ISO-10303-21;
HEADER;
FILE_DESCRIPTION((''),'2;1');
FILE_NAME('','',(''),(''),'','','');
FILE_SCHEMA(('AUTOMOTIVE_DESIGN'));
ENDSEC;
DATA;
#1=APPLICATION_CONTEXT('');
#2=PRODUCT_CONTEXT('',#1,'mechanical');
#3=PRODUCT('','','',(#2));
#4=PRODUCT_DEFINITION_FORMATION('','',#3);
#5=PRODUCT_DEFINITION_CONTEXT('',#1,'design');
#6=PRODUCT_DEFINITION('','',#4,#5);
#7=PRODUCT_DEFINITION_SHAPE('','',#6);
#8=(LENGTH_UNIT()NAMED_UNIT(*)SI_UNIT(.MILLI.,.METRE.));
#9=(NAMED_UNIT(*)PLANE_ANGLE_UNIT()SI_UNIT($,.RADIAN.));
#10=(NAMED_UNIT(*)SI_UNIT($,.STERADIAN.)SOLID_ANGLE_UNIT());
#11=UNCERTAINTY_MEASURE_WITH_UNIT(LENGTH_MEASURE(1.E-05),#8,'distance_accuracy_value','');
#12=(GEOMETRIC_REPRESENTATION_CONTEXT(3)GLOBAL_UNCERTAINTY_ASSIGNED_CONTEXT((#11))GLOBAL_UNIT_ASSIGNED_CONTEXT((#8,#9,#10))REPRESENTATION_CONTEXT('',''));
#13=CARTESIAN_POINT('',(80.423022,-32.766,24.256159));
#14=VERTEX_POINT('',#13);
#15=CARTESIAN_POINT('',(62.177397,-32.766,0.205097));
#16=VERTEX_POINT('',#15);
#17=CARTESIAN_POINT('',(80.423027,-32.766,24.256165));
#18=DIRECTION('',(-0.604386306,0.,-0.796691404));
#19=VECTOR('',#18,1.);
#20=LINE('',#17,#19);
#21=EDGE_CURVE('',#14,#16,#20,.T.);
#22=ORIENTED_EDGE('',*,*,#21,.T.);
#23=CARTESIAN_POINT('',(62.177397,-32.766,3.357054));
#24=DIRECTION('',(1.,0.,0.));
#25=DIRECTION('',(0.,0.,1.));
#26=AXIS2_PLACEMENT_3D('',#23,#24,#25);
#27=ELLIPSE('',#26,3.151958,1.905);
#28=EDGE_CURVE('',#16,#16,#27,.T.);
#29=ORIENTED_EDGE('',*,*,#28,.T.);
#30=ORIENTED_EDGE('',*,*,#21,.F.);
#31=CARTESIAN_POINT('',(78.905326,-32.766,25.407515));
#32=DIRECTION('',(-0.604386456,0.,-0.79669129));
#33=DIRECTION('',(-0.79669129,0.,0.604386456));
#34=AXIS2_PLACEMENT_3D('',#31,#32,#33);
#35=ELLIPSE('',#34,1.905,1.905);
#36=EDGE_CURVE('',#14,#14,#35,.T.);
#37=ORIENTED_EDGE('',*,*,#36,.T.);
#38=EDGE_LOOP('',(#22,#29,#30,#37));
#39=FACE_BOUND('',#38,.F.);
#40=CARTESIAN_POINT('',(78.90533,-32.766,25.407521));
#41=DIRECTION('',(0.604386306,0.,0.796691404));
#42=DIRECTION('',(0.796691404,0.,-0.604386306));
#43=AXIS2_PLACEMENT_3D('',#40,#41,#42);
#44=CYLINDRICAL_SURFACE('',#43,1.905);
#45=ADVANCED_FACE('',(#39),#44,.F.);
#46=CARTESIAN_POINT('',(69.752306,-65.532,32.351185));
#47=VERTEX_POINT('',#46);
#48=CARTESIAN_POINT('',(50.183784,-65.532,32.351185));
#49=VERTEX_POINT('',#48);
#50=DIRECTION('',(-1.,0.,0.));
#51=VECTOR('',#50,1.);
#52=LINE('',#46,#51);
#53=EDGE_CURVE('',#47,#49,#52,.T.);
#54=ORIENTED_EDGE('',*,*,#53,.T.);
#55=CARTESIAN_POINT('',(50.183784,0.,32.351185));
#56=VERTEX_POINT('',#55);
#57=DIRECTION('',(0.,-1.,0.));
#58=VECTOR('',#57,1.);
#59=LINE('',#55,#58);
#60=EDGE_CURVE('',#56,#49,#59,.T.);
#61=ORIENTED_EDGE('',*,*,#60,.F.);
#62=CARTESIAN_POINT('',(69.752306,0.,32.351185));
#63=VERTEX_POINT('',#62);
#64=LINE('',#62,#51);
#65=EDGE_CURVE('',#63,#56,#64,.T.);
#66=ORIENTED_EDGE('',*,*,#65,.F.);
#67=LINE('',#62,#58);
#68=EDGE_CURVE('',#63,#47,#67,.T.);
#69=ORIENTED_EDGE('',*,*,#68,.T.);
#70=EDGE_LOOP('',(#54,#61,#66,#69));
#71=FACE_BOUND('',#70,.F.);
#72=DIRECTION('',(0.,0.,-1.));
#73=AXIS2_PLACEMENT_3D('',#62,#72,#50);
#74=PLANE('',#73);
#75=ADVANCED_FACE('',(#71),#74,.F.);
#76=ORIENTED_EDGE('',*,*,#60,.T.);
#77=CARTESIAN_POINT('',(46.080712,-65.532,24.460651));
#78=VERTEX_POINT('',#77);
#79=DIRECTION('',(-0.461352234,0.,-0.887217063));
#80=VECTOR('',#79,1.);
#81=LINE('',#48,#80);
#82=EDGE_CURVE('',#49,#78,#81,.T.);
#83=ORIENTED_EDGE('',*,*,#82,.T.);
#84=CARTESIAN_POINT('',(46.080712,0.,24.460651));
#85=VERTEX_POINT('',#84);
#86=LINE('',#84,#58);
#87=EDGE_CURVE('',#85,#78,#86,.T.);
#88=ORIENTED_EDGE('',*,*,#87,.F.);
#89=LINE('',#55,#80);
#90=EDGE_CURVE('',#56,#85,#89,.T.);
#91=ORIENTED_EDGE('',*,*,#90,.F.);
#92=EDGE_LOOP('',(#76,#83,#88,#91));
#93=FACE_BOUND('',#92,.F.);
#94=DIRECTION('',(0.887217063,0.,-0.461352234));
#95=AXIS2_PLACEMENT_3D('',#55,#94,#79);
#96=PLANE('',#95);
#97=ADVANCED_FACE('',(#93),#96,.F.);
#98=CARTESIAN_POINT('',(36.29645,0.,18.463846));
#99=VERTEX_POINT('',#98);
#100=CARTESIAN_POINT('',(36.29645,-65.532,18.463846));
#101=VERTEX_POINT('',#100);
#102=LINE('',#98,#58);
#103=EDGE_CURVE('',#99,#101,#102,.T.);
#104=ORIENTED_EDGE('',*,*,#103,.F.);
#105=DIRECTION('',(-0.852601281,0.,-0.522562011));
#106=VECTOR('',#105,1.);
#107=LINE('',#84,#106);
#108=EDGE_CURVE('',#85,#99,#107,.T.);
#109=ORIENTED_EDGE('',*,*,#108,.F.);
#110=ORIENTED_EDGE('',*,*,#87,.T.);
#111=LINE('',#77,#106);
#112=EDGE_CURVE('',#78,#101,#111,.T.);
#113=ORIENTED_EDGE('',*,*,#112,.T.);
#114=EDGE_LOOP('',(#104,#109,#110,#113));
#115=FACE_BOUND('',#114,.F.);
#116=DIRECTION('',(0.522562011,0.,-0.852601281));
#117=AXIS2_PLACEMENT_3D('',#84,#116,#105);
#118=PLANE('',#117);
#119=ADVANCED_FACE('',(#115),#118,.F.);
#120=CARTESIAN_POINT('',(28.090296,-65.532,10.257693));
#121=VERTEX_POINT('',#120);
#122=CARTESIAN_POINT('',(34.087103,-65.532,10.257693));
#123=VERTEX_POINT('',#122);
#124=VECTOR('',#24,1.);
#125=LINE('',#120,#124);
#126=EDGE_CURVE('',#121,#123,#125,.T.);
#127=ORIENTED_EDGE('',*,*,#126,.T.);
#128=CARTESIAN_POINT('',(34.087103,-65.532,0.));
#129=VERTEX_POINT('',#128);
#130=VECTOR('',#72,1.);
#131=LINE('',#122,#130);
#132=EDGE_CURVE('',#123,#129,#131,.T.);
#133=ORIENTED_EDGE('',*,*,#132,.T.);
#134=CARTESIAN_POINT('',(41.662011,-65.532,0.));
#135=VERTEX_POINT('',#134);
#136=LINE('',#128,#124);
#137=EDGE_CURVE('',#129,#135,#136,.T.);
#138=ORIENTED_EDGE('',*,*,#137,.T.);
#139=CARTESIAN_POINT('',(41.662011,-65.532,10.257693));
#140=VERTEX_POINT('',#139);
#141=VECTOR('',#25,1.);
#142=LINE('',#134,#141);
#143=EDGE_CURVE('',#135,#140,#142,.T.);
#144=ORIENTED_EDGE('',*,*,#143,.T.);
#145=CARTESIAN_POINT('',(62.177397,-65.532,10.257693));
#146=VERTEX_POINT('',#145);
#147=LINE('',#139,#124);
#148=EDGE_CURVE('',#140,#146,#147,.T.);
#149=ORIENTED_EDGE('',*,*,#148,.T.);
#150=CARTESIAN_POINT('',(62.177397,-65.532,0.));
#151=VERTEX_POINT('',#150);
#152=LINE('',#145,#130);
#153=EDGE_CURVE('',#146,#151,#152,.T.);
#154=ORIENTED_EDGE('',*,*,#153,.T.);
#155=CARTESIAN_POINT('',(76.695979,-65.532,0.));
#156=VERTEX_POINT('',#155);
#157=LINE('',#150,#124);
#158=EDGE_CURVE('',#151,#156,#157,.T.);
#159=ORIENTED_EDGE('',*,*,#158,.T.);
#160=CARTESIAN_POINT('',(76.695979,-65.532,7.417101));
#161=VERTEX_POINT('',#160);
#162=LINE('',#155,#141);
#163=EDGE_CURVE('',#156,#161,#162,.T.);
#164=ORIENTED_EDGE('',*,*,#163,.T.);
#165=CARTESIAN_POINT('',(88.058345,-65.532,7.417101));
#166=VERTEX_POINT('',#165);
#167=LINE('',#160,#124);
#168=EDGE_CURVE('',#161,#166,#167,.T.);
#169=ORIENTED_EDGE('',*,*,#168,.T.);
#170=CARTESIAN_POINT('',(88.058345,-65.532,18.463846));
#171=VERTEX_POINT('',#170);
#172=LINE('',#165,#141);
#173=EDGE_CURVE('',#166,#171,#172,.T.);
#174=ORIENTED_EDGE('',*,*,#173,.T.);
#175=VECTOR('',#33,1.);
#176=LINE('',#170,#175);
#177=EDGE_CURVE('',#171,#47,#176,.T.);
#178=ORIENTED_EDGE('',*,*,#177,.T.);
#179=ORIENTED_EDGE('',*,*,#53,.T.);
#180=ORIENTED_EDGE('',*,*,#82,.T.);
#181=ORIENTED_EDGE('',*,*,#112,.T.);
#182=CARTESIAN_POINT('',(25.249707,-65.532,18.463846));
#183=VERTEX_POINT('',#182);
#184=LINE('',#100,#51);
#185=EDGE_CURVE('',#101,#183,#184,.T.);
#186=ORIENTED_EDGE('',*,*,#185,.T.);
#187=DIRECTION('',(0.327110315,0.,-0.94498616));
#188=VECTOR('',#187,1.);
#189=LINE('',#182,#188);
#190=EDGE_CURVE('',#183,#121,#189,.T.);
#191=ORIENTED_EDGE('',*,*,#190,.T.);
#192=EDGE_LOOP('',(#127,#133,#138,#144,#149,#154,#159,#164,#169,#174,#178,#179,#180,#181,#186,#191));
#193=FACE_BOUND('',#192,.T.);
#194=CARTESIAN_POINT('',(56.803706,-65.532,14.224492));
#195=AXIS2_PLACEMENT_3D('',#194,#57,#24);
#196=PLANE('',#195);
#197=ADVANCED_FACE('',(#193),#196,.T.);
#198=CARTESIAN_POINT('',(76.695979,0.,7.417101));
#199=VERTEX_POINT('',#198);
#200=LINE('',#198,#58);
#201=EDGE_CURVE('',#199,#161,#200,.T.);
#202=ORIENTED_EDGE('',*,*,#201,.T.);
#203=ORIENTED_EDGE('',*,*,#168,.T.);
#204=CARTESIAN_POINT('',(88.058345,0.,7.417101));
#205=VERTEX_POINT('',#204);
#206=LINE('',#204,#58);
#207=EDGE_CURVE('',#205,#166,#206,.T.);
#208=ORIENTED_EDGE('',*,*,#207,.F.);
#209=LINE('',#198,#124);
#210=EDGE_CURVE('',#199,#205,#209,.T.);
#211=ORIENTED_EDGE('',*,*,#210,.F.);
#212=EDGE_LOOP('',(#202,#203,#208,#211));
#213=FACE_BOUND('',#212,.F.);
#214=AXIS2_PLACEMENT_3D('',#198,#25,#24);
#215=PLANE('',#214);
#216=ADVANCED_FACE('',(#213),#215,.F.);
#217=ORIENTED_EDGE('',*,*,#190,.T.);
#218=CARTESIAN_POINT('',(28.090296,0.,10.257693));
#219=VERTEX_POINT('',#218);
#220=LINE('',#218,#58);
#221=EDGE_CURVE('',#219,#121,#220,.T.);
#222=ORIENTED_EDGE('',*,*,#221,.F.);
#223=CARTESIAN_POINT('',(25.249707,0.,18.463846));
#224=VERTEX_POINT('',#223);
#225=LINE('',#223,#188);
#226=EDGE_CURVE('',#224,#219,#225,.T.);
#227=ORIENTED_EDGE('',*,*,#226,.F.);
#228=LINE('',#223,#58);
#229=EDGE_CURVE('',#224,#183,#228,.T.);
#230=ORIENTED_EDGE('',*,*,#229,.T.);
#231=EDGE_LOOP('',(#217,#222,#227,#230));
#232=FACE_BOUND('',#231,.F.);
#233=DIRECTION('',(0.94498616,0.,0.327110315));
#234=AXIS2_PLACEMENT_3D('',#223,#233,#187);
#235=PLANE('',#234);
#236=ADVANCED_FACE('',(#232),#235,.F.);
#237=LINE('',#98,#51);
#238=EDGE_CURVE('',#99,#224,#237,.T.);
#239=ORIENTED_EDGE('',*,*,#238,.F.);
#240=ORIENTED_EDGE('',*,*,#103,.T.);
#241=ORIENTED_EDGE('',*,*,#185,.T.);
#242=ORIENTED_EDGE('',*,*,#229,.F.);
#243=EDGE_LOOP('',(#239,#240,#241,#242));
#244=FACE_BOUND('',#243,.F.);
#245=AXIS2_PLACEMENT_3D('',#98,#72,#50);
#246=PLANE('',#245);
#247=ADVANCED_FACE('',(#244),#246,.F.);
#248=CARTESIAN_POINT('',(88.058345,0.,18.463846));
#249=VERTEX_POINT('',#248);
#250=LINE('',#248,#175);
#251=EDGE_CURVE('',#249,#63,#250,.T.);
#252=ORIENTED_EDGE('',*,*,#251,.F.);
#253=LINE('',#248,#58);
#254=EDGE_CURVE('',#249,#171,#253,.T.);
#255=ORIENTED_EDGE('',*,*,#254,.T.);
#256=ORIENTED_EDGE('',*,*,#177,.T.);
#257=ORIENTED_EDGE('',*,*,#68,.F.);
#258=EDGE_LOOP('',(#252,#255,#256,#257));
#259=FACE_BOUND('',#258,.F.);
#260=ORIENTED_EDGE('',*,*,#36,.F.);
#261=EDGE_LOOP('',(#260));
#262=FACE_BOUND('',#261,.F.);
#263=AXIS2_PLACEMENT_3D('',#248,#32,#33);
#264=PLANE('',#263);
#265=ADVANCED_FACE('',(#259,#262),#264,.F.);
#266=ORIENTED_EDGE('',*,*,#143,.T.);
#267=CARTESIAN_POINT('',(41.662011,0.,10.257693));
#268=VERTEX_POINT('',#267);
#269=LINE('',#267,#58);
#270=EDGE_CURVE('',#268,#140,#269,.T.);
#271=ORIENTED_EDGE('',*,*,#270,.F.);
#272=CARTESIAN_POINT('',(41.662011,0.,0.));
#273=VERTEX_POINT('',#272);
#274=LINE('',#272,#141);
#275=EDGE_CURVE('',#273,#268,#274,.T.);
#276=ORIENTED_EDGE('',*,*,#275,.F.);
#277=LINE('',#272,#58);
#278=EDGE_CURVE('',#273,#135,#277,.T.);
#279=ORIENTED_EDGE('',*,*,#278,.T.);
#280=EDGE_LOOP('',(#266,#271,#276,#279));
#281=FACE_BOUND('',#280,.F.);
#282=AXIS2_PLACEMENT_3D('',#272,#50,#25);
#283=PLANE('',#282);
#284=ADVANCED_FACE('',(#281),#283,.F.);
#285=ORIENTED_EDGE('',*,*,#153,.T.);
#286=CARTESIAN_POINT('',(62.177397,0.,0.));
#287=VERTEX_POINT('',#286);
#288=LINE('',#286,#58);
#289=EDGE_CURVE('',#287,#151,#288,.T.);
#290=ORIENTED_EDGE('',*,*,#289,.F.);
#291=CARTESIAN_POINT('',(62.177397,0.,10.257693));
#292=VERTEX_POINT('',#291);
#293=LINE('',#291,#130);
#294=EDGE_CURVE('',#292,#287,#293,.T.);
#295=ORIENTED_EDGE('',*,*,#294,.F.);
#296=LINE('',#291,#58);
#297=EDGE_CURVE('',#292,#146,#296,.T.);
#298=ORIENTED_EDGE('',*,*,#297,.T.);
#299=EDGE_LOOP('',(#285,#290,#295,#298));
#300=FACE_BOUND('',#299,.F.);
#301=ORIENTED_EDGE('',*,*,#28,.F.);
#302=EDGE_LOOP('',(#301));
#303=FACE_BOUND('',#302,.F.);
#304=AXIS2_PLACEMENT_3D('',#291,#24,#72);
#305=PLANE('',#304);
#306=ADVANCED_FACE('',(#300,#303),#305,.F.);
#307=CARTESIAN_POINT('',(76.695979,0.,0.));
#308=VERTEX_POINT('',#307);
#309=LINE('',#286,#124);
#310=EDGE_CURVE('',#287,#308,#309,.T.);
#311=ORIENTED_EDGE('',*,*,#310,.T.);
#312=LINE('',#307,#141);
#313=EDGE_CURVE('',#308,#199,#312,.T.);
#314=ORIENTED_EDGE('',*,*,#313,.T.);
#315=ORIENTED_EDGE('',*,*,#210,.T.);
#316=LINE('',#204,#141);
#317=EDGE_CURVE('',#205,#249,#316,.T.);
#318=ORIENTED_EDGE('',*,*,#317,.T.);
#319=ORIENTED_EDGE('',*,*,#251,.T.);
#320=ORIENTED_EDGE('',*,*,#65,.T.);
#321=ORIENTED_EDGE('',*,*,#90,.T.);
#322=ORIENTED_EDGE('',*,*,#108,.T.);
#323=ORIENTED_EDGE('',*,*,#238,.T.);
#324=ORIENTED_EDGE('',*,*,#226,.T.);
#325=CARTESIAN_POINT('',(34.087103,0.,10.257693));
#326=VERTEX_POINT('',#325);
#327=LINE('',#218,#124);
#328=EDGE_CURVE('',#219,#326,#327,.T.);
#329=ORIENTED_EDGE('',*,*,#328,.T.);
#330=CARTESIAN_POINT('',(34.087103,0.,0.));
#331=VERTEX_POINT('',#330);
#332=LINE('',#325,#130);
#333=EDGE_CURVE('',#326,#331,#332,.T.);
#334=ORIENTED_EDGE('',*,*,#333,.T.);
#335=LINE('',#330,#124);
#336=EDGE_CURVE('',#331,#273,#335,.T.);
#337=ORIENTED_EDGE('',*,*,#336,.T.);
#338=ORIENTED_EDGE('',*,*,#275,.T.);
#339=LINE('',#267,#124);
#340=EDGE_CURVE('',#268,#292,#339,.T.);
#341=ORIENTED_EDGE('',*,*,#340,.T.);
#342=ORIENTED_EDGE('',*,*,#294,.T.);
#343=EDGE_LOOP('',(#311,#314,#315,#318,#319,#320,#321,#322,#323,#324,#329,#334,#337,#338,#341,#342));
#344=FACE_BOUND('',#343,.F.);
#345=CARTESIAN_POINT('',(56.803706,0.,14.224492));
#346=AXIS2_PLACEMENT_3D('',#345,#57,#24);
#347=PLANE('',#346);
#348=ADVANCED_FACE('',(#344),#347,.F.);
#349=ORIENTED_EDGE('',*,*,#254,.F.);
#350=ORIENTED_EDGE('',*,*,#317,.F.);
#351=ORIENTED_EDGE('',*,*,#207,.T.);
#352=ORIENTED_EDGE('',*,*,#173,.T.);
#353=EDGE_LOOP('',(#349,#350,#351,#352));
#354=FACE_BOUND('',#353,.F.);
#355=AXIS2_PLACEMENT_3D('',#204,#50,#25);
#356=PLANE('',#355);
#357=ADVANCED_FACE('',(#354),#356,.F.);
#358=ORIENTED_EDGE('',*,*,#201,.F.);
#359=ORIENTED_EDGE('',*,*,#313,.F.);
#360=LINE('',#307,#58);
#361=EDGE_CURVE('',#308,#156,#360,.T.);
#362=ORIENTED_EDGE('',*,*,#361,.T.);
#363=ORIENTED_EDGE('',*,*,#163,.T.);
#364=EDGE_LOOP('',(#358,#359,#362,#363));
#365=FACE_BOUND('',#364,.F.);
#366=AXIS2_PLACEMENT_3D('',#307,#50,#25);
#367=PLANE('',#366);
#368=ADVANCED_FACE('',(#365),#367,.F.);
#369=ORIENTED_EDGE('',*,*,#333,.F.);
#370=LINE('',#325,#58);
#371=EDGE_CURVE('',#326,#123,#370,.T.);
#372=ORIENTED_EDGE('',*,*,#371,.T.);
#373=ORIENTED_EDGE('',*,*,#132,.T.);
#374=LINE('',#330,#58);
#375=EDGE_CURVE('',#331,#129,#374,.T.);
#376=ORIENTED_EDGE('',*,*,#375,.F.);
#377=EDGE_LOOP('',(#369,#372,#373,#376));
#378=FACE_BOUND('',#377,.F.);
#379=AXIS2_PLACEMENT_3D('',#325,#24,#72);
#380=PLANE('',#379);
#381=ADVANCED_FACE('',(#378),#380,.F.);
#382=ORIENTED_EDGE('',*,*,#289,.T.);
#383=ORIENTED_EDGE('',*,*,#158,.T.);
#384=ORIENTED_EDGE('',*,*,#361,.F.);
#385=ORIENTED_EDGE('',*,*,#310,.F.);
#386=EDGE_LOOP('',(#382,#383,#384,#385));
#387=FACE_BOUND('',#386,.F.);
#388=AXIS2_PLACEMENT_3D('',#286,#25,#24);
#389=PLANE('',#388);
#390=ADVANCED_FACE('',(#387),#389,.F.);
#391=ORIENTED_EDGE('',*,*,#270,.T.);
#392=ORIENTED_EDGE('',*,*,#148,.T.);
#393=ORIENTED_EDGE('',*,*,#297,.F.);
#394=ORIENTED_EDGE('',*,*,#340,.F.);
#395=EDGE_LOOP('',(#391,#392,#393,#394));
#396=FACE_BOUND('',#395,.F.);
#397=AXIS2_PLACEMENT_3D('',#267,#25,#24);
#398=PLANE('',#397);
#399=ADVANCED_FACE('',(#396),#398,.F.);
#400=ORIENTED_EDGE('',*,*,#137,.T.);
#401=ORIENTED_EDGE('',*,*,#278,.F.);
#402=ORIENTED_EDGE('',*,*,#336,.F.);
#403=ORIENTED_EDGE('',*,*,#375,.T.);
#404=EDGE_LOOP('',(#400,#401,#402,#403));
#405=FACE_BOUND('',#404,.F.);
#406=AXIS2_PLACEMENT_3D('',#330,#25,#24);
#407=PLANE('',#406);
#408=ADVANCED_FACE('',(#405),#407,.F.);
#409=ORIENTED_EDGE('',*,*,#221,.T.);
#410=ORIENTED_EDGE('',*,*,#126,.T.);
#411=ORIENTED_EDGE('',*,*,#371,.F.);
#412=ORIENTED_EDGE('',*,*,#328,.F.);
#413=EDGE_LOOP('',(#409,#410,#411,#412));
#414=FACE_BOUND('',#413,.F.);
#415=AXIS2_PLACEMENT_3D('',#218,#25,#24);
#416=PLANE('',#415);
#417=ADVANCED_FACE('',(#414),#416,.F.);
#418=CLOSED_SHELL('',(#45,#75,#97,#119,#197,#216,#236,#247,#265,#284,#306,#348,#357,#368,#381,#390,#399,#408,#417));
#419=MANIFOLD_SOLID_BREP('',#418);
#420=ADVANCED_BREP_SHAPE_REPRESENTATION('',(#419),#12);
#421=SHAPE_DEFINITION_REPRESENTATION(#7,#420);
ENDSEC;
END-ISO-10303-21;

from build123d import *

# Parameters (mm, degrees)
F1_DEPTH = 65.532
F2_R     = 1.905
F3_DEPTH = 52.671675


with BuildPart() as f1:
    # F0 (on Front) → F1 (new body)
    with BuildSketch(Plane.XZ):
        Polygon((34.087103, 10.257693), (34.087103, 0), (41.662011, 0), (41.662011, 10.257693), (62.177397, 10.257693), (62.177397, 0), (76.695979, 0), (76.695979, 7.417101), (88.058345, 7.417101), (88.058345, 18.463846), (69.752306, 32.351185), (50.183784, 32.351185), (46.080712, 24.460651), (36.29645, 18.463846), (25.249707, 18.463846), (28.090296, 10.257693), align=None)
    extrude(amount=F1_DEPTH)

    # F2 (on face) → F3 (cut, through all)
    with BuildSketch(Plane(origin=(41.056729, 0, 54.12024), x_dir=(0.796691, 0, -0.604386), z_dir=(0.604386, 0, 0.796691))):
        with Locations((47.507229, -32.766)):
            Circle(F2_R)
    extrude(amount=-F3_DEPTH, mode=Mode.SUBTRACT)


solid = f1.part
